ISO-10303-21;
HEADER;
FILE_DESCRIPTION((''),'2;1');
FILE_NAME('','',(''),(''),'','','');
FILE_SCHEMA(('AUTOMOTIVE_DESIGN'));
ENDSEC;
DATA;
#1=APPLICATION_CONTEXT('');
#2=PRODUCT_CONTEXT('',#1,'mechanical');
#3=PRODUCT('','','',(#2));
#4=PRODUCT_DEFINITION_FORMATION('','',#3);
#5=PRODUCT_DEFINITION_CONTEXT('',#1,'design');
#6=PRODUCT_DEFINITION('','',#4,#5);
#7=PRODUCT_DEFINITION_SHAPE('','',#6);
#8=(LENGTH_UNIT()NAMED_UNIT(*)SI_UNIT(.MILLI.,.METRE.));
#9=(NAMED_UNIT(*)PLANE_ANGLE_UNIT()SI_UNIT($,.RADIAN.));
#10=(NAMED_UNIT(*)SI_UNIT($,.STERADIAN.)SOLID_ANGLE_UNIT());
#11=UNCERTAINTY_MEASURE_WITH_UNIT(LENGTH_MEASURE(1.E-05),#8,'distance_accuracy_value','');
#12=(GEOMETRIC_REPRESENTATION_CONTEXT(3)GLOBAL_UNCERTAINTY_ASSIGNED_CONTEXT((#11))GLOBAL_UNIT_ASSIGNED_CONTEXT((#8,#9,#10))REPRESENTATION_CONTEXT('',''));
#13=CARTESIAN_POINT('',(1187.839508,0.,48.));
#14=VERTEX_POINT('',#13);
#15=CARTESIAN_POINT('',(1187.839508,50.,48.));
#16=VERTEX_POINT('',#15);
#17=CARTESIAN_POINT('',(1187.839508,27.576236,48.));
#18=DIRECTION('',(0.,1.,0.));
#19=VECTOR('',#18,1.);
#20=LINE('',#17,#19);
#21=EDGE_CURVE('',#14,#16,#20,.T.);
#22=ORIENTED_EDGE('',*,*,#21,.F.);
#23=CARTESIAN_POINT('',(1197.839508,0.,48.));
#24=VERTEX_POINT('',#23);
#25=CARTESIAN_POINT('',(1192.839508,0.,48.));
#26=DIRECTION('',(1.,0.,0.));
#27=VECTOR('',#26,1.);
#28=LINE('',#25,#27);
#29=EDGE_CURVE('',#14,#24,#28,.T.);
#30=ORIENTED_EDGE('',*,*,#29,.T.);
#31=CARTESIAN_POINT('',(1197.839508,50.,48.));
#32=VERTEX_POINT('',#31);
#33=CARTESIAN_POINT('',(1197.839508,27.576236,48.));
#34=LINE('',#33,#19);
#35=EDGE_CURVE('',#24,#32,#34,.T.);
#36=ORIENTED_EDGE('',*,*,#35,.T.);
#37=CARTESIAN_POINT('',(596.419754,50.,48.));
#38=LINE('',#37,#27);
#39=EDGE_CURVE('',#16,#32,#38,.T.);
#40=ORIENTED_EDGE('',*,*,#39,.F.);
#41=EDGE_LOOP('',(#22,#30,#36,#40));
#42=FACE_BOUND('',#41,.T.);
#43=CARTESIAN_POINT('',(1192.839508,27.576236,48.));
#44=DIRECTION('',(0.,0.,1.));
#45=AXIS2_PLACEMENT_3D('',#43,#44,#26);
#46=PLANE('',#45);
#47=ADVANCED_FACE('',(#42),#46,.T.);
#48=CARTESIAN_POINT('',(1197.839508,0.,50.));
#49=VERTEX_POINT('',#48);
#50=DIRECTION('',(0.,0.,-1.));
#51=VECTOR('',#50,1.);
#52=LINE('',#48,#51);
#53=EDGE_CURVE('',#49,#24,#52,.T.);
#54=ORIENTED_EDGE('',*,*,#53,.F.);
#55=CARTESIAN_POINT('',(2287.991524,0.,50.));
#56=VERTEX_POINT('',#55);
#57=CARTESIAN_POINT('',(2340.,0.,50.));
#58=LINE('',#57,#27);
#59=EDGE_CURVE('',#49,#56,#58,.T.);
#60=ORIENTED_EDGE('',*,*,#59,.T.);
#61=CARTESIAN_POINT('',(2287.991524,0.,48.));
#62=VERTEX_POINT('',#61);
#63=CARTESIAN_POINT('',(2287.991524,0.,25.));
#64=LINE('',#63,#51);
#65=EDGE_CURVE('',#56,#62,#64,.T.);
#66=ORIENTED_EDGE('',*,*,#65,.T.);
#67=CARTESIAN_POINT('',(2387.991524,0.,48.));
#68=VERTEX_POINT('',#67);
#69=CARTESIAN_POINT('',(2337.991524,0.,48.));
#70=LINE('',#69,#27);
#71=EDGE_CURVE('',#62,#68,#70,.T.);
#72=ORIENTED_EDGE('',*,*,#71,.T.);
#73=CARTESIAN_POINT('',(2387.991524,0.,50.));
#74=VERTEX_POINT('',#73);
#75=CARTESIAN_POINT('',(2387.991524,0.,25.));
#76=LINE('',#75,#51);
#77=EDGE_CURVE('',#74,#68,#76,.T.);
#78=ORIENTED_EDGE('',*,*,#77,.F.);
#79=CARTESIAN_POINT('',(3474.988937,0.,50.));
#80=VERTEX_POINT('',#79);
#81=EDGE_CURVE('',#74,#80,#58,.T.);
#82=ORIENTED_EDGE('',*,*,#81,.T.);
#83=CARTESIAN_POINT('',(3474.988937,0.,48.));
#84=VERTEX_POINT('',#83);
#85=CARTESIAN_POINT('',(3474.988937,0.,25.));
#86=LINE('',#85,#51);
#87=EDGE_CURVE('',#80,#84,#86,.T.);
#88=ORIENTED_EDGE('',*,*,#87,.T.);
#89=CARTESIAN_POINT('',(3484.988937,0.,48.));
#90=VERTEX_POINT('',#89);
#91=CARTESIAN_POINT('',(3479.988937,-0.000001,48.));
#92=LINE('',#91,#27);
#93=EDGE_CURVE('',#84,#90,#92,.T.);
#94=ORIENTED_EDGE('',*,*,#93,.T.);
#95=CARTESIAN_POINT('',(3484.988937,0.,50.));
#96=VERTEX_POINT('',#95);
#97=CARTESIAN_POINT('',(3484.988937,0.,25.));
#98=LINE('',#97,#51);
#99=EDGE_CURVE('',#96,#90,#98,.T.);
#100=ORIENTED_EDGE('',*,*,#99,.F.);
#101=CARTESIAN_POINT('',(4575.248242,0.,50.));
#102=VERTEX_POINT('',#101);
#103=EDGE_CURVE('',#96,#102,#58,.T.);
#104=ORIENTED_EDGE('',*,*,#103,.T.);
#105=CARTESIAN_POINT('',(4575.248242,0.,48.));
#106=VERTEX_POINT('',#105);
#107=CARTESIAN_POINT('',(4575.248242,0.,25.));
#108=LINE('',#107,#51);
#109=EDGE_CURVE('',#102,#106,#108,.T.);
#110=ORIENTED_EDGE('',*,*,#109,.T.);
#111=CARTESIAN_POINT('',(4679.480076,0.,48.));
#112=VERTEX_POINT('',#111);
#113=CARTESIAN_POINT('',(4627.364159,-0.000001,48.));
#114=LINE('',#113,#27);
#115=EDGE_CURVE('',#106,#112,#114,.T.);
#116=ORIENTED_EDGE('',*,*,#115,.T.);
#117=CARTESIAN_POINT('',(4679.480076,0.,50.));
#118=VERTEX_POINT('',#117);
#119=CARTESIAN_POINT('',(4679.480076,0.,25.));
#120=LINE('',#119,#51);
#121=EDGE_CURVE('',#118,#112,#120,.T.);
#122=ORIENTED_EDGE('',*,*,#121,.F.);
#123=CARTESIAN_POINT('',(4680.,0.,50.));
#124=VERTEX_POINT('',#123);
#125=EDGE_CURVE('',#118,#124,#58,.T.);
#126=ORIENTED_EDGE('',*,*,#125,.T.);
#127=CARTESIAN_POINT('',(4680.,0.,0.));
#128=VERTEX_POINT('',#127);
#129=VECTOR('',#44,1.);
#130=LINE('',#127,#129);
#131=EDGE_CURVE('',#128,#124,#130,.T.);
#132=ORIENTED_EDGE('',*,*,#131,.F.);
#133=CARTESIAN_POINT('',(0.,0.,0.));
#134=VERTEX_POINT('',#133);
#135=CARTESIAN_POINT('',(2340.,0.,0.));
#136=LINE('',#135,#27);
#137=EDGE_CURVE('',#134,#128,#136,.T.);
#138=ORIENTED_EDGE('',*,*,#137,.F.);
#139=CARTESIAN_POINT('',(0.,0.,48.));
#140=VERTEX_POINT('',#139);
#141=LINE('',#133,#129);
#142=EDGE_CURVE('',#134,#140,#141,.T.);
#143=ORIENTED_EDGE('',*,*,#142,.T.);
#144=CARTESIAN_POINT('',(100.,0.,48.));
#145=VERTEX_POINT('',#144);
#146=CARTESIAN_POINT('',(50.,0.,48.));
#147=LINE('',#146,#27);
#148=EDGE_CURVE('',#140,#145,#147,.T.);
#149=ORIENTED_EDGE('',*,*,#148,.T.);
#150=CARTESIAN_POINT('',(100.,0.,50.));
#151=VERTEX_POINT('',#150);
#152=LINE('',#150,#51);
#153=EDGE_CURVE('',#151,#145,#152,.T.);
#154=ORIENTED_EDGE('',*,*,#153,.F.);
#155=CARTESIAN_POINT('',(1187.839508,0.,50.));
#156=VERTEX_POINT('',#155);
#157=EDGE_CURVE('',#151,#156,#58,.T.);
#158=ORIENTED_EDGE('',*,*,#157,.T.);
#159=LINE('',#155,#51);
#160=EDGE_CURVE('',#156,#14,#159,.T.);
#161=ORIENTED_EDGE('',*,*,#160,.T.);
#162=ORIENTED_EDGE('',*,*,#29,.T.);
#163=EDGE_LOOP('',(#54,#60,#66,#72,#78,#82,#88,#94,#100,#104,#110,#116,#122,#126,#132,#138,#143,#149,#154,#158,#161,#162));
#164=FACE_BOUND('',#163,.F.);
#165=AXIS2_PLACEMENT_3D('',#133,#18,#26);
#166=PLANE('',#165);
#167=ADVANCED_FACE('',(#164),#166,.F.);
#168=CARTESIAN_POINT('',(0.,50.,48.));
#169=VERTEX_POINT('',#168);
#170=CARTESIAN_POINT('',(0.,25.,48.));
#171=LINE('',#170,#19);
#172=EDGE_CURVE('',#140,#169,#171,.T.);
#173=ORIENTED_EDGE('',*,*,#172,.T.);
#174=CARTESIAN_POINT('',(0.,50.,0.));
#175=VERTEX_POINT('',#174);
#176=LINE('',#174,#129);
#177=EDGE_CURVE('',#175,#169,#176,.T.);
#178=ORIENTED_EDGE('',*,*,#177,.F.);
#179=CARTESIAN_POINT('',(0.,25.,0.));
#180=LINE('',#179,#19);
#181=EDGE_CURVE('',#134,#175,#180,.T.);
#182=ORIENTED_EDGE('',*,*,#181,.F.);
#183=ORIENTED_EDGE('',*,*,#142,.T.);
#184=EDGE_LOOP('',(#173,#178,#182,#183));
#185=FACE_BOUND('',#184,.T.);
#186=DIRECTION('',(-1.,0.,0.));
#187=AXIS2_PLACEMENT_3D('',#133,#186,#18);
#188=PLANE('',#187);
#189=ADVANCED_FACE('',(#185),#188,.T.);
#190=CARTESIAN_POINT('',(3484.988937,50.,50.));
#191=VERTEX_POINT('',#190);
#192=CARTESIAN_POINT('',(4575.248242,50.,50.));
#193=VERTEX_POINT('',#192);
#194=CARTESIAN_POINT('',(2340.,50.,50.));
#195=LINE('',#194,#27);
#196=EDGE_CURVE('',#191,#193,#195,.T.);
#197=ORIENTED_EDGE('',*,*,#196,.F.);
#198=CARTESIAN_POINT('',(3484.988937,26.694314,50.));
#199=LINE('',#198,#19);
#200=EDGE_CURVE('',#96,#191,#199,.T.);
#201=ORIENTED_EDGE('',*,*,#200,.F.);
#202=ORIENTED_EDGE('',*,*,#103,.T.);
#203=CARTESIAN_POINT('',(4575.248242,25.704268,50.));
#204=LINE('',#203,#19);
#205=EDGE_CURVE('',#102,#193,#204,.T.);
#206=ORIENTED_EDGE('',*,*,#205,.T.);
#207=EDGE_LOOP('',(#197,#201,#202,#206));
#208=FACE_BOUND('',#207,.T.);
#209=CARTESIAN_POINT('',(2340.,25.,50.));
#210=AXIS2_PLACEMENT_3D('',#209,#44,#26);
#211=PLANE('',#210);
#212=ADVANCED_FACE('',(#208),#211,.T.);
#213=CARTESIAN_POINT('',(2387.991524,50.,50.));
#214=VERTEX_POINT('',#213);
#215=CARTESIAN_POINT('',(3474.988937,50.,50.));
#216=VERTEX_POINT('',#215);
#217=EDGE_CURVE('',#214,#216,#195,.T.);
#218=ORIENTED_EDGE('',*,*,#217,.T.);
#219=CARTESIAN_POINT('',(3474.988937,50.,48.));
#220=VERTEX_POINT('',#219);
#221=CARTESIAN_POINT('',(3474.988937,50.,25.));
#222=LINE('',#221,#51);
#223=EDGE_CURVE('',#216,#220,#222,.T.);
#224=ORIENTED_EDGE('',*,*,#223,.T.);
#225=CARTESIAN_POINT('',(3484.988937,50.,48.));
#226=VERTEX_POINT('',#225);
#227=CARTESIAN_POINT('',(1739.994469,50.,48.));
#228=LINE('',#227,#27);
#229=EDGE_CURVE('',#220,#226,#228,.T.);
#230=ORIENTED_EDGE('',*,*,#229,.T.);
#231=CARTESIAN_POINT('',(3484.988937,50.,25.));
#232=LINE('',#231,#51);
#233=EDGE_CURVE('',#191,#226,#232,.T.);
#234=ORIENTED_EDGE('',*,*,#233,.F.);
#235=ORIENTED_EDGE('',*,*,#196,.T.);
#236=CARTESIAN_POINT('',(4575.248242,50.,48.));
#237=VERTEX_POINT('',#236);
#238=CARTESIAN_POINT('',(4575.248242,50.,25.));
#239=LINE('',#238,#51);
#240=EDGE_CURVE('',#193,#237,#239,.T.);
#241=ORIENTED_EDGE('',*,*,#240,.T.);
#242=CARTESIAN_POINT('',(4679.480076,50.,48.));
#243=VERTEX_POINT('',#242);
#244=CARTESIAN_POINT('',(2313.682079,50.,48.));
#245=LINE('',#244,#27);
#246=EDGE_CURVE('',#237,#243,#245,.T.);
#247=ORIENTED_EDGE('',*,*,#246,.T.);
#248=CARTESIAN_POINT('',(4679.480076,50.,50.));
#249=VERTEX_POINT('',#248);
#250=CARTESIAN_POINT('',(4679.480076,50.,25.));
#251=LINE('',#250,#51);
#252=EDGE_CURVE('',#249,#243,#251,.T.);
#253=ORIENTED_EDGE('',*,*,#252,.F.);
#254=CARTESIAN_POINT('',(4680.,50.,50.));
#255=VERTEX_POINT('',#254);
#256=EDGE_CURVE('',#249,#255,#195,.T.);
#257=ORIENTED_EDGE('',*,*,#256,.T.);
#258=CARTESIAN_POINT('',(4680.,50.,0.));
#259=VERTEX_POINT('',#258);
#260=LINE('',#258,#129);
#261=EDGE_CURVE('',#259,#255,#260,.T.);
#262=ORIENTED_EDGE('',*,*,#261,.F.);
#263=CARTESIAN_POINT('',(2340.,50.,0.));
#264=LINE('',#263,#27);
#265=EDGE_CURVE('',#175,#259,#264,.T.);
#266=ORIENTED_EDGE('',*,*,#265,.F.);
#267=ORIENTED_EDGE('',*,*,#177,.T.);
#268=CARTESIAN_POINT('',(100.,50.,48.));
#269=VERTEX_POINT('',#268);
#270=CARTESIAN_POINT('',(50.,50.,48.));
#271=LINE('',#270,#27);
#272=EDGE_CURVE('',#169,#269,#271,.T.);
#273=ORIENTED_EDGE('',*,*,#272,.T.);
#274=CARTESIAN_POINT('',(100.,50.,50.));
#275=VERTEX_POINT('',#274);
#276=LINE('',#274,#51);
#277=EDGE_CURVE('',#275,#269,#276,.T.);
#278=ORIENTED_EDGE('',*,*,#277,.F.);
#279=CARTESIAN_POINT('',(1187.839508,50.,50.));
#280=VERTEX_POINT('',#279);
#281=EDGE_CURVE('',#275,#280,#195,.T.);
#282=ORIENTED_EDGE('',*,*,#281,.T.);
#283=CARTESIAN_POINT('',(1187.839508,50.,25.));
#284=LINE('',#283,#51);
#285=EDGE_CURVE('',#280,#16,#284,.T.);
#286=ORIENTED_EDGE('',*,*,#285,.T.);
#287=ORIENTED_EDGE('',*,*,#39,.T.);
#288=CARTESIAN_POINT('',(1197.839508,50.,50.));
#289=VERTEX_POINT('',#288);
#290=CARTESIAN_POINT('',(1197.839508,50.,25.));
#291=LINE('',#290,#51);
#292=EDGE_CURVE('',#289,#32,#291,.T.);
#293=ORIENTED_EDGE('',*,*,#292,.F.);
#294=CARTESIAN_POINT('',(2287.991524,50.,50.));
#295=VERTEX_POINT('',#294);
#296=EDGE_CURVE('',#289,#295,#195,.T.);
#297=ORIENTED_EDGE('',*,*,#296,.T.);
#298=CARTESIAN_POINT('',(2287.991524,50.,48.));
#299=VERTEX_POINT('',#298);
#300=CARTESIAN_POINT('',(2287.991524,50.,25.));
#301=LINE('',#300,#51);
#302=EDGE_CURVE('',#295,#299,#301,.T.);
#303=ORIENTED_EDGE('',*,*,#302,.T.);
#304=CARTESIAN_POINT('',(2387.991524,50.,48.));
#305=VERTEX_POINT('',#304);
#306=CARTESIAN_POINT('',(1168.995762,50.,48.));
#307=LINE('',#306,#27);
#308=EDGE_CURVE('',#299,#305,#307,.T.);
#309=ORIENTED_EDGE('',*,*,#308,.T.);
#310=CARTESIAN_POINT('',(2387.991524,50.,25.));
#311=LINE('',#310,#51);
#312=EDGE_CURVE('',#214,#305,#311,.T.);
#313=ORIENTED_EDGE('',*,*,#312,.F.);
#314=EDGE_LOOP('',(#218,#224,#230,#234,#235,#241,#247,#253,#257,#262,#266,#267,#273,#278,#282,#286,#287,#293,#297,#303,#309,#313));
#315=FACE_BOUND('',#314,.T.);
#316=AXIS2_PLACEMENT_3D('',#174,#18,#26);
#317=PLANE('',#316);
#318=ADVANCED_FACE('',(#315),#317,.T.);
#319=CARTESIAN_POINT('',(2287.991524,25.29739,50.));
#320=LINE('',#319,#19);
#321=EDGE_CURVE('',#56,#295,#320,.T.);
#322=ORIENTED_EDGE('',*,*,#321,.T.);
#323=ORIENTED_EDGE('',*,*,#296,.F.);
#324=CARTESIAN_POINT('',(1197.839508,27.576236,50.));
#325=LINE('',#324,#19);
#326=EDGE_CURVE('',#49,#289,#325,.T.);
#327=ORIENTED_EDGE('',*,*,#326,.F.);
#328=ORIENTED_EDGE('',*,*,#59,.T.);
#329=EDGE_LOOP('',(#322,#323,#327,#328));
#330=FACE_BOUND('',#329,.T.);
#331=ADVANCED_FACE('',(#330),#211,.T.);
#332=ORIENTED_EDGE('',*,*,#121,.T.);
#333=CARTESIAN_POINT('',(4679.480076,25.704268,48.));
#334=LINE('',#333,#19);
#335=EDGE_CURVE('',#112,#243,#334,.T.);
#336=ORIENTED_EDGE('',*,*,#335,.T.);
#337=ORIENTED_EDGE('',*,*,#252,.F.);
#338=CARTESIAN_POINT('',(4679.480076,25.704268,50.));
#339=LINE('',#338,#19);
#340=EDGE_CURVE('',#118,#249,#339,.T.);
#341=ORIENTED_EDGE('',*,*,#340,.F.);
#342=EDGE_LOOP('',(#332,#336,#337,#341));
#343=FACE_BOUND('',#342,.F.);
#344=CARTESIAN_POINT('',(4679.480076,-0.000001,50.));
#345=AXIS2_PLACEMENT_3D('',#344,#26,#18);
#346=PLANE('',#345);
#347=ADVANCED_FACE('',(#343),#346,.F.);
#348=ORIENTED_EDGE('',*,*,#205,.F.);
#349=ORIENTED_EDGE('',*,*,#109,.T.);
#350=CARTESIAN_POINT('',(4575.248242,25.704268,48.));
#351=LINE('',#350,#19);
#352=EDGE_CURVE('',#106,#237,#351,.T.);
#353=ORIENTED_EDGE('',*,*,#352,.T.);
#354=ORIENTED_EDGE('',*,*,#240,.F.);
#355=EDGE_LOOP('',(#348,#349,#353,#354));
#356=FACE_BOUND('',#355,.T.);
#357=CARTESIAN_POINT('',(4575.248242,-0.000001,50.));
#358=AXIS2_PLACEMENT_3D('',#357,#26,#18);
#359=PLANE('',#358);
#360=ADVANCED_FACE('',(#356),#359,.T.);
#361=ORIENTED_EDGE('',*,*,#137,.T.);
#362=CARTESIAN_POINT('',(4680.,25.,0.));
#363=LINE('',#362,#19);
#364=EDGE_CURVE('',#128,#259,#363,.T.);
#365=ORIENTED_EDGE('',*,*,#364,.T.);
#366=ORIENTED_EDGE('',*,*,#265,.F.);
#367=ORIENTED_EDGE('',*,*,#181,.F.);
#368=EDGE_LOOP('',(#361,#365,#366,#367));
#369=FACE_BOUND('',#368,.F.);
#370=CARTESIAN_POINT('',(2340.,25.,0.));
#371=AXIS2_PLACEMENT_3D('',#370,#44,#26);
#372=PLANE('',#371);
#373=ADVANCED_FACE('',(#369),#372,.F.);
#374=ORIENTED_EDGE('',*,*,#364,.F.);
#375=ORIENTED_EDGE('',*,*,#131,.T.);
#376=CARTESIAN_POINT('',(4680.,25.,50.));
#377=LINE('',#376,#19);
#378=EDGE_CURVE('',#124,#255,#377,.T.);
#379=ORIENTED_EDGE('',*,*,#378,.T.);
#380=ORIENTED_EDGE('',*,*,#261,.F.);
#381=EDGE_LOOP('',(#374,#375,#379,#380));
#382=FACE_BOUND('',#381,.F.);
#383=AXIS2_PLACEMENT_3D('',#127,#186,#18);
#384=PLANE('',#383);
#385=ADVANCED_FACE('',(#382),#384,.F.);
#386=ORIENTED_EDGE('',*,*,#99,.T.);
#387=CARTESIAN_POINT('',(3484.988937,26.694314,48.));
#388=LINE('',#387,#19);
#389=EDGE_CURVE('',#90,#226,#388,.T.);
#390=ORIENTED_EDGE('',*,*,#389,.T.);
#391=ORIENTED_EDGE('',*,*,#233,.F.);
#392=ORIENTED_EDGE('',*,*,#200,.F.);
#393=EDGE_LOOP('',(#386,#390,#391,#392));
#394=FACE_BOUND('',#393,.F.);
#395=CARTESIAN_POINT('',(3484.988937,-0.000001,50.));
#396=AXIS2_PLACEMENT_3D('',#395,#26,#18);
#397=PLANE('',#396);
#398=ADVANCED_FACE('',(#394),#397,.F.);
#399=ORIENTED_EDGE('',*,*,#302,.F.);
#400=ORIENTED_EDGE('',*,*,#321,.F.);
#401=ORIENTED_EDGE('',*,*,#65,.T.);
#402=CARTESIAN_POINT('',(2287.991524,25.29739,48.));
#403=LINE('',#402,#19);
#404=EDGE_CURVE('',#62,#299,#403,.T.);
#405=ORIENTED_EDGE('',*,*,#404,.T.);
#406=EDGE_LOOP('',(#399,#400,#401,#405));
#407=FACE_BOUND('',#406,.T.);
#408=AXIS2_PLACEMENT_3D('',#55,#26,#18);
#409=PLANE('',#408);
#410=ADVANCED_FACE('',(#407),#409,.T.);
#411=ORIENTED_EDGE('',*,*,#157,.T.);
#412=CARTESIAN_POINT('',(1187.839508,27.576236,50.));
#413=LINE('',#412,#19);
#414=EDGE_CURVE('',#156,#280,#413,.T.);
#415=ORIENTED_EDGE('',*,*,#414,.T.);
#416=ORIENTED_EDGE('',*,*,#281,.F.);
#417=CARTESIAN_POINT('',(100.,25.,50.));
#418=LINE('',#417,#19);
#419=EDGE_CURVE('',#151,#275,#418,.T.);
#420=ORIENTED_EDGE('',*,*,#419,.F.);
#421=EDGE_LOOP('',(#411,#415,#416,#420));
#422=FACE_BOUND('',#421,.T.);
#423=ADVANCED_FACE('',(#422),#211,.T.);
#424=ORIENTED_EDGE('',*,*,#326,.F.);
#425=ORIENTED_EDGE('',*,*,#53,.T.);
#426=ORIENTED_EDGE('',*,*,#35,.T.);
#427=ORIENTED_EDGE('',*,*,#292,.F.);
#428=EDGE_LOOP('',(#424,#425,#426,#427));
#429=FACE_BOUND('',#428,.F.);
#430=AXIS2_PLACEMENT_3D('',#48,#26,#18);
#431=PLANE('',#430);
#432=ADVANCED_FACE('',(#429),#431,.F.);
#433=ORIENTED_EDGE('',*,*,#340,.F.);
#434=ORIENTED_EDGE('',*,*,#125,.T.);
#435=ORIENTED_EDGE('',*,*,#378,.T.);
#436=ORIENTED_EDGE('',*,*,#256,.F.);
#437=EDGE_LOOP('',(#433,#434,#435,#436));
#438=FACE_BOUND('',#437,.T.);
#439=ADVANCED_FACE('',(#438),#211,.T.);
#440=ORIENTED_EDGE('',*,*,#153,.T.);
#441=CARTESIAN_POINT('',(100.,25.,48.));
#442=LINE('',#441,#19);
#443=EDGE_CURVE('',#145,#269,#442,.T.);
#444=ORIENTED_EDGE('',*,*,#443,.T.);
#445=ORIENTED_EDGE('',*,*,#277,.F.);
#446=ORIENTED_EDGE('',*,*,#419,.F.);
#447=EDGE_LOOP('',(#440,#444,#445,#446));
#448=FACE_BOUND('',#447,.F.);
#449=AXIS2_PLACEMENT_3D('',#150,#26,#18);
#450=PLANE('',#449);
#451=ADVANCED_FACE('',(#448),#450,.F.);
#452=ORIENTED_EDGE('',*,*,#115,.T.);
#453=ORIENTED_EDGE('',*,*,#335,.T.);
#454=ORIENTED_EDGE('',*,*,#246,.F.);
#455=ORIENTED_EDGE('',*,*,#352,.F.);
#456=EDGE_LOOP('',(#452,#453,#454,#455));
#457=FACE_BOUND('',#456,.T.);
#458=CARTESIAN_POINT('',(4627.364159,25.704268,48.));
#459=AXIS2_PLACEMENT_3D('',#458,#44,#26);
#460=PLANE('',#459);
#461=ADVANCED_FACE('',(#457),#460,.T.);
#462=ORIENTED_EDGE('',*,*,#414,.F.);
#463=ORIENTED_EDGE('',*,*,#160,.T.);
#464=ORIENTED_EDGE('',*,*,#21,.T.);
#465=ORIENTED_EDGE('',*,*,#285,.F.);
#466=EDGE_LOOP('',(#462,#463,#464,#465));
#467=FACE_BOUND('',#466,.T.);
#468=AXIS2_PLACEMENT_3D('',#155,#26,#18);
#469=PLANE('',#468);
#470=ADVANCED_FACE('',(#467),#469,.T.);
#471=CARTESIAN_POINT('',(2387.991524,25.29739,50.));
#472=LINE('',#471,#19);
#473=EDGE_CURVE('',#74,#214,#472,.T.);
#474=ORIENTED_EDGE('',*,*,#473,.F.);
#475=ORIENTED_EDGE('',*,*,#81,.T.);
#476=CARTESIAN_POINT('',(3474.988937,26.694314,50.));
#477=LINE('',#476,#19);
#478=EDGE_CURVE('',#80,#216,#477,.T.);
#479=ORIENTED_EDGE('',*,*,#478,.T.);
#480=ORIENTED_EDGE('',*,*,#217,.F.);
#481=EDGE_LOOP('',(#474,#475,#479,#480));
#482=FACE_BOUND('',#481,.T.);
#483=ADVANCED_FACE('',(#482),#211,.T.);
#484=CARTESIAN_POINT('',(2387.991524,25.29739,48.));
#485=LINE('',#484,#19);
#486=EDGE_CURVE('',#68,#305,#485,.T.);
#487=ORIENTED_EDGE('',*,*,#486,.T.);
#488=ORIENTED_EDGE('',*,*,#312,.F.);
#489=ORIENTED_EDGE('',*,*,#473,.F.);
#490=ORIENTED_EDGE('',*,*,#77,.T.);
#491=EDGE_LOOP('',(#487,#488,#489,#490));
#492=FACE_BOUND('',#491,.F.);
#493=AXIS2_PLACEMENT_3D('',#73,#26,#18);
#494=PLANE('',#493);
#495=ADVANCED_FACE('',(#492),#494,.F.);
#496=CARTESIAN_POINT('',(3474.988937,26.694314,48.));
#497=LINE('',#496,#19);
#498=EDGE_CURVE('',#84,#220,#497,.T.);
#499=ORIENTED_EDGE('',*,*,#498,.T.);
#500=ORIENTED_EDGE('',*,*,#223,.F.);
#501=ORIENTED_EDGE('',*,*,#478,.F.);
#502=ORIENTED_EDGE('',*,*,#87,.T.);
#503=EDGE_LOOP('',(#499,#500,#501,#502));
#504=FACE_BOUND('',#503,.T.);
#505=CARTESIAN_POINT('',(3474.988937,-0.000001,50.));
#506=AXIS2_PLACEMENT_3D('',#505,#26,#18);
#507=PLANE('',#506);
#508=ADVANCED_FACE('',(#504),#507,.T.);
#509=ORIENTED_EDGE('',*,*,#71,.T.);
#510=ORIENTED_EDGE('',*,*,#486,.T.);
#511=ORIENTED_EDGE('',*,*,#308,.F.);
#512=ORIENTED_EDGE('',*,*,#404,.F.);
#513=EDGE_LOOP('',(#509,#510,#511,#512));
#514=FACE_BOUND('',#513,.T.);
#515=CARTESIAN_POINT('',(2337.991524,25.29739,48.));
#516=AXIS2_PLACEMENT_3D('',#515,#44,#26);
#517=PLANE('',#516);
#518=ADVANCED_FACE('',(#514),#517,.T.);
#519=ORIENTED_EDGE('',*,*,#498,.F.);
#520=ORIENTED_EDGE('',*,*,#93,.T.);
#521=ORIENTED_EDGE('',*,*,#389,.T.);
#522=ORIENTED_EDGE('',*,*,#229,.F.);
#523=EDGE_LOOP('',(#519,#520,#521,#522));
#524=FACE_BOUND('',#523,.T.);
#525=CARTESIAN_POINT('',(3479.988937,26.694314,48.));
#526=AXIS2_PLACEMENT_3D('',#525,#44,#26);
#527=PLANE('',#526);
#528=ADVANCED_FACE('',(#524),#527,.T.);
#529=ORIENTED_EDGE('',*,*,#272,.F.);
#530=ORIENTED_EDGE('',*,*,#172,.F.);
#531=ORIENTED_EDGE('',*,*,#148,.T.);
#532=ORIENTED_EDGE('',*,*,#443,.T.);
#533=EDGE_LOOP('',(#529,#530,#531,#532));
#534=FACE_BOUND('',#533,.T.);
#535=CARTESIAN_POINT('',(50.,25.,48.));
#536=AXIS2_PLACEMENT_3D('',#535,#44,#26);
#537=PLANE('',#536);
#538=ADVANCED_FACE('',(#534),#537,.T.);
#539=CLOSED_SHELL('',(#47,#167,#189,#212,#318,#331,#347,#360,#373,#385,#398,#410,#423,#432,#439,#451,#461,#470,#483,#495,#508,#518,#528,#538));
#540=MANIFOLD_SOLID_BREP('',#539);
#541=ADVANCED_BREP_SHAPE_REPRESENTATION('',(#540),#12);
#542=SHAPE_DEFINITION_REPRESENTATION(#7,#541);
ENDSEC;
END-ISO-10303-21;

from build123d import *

# Parameters (mm, degrees)
F0_W      = 4680
F0_H      = 50
F1_DEPTH  = 50
F2_W      = 100
F2_H      = 50
F3_DEPTH  = 2
F5_W      = 10
F5_H      = 55.152472
F6_DEPTH  = 2
F7_W      = 100
F7_H      = 50.594781
F8_DEPTH  = 2
F9_W      = 10
F9_H      = 53.388629
F10_DEPTH = 2
F11_W     = 104.231835
F11_H     = 51.408537
F12_DEPTH = 2


with BuildPart() as f1:
    # F0 (on Top) → F1 (new body)
    with BuildSketch(Plane.XY):
        with Locations((2340, 25)):
            Rectangle(F0_W, F0_H)
    extrude(amount=F1_DEPTH)

    # F2 (on face) → F3 (cut)
    with BuildSketch(Plane.XY.offset(50)):
        with Locations((50, 25)):
            Rectangle(F2_W, F2_H)
    extrude(amount=-F3_DEPTH, mode=Mode.SUBTRACT)

    # F5 (on face) → F6 (cut)
    with BuildSketch(Plane.XY.offset(50)):
        with Locations((1192.839508, 27.576236)):
            Rectangle(F5_W, F5_H)
    extrude(amount=-F6_DEPTH, mode=Mode.SUBTRACT)

    # F7 (on face) → F8 (cut)
    with BuildSketch(Plane.XY.offset(50)):
        with Locations((2337.991524, 25.29739)):
            Rectangle(F7_W, F7_H)
    extrude(amount=-F8_DEPTH, mode=Mode.SUBTRACT)

    # F9 (on face) → F10 (cut)
    with BuildSketch(Plane.XY.offset(50)):
        with Locations((3479.988937, 26.694314)):
            Rectangle(F9_W, F9_H)
    extrude(amount=-F10_DEPTH, mode=Mode.SUBTRACT)

    # F11 (on face) → F12 (cut)
    with BuildSketch(Plane.XY.offset(50)):
        with Locations((4627.364159, 25.704268)):
            Rectangle(F11_W, F11_H)
    extrude(amount=-F12_DEPTH, mode=Mode.SUBTRACT)


solid = f1.part
